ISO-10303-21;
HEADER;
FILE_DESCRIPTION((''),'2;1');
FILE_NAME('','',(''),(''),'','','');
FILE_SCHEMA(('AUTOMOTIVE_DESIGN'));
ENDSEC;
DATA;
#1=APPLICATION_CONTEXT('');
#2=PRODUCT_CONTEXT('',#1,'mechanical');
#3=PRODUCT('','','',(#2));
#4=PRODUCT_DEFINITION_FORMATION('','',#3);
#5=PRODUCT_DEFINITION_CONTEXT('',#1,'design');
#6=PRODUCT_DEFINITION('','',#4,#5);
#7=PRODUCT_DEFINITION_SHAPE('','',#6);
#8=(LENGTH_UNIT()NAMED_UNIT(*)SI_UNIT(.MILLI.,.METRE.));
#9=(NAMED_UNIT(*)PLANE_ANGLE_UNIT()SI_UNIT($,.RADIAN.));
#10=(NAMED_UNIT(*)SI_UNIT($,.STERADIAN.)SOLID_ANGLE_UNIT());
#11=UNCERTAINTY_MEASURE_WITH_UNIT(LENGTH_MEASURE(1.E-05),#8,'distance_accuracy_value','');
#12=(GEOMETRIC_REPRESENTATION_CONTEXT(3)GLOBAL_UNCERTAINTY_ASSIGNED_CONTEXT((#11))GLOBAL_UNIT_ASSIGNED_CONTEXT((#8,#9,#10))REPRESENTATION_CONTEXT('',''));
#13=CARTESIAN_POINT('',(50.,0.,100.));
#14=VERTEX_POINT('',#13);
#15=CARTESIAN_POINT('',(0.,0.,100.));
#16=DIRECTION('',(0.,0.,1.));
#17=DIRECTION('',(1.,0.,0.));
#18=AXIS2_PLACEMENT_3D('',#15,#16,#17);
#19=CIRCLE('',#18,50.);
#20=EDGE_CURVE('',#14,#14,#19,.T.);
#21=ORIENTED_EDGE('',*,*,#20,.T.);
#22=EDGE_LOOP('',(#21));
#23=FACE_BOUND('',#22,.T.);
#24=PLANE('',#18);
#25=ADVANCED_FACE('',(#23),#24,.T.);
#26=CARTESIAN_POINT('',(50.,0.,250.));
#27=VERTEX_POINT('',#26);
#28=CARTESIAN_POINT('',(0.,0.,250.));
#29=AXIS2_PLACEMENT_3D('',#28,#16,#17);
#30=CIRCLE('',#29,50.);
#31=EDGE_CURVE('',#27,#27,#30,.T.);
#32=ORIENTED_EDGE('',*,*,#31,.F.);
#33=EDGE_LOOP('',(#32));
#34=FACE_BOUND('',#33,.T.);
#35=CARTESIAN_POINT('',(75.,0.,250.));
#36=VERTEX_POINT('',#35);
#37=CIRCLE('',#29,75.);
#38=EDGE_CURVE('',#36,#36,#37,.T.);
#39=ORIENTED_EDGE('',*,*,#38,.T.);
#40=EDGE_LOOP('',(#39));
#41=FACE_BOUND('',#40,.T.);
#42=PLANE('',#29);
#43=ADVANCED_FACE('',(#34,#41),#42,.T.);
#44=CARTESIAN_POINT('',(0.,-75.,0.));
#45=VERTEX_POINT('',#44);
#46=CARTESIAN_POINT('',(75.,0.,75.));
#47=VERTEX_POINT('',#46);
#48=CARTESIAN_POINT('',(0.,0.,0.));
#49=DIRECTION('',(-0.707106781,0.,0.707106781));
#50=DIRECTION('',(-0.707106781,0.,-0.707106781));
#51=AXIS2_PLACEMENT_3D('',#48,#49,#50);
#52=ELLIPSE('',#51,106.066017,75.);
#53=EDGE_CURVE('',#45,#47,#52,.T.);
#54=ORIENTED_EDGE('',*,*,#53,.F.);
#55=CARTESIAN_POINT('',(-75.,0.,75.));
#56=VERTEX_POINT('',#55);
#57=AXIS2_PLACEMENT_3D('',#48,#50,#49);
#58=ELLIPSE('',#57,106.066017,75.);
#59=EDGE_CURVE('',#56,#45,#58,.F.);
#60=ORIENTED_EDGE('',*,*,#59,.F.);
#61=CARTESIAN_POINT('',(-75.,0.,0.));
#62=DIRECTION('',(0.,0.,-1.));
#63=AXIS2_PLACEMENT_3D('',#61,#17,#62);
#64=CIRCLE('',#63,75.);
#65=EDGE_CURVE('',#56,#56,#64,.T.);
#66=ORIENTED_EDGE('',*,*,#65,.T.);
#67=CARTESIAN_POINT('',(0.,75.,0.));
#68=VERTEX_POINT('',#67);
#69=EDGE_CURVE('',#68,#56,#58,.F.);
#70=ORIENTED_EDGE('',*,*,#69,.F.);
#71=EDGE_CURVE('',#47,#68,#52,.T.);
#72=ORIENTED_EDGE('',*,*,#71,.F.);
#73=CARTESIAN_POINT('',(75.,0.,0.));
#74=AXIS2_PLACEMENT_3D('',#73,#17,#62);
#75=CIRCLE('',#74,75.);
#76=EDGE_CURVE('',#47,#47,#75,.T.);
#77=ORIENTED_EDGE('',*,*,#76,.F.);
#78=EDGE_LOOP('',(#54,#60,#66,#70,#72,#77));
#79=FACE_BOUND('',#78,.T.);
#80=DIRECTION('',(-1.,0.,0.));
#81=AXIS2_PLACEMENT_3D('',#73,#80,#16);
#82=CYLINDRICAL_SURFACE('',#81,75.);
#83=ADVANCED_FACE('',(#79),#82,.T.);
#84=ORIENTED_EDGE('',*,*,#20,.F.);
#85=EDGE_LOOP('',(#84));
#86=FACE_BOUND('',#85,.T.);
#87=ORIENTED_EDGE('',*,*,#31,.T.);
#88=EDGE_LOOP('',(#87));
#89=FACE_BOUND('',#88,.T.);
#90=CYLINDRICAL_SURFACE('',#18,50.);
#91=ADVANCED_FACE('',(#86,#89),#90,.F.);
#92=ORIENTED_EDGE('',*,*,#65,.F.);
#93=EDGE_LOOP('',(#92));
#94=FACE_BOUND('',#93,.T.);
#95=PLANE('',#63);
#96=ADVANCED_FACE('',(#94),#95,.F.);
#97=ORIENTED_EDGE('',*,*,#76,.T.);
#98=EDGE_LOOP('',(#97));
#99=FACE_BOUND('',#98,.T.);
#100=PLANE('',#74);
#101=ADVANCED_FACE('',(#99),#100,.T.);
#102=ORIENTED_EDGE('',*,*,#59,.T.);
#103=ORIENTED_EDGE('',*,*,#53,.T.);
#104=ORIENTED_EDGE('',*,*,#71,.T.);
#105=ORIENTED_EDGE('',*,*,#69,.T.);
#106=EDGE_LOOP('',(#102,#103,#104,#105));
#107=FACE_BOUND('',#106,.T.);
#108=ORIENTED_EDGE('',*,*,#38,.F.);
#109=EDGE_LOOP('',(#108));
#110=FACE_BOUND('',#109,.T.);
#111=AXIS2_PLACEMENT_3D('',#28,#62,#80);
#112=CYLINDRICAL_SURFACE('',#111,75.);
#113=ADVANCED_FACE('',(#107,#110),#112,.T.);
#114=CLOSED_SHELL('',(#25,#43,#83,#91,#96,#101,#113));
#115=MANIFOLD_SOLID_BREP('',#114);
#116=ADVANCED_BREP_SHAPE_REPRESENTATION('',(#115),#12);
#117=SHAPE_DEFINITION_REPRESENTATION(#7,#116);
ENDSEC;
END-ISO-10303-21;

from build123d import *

# Parameters (mm, degrees)
SKETCH1_R           = 75
BOSS_EXTRUDE1_DEPTH = 75
SKETCH2_R           = 75
BOSS_EXTRUDE2_DEPTH = 250
SKETCH3_R           = 50
CUT_EXTRUDE1_DEPTH  = 150


with BuildPart() as part:
    # Sketch1 → Boss-Extrude1 (new body, symmetric)
    with BuildSketch(Plane(origin=(0, 0, 0), x_dir=(0, 0, -1), z_dir=(1, 0, 0))):
        Circle(SKETCH1_R)
    extrude(amount=BOSS_EXTRUDE1_DEPTH, both=True)

    # Sketch2 → Boss-Extrude2 (add)
    with BuildSketch(Plane.XY):
        Circle(SKETCH2_R)
    extrude(amount=BOSS_EXTRUDE2_DEPTH)

    # Sketch3 → Cut-Extrude1 (cut)
    with BuildSketch(Plane.XY.offset(250)):
        Circle(SKETCH3_R)
    extrude(amount=-CUT_EXTRUDE1_DEPTH, mode=Mode.SUBTRACT)


solid = part.part
